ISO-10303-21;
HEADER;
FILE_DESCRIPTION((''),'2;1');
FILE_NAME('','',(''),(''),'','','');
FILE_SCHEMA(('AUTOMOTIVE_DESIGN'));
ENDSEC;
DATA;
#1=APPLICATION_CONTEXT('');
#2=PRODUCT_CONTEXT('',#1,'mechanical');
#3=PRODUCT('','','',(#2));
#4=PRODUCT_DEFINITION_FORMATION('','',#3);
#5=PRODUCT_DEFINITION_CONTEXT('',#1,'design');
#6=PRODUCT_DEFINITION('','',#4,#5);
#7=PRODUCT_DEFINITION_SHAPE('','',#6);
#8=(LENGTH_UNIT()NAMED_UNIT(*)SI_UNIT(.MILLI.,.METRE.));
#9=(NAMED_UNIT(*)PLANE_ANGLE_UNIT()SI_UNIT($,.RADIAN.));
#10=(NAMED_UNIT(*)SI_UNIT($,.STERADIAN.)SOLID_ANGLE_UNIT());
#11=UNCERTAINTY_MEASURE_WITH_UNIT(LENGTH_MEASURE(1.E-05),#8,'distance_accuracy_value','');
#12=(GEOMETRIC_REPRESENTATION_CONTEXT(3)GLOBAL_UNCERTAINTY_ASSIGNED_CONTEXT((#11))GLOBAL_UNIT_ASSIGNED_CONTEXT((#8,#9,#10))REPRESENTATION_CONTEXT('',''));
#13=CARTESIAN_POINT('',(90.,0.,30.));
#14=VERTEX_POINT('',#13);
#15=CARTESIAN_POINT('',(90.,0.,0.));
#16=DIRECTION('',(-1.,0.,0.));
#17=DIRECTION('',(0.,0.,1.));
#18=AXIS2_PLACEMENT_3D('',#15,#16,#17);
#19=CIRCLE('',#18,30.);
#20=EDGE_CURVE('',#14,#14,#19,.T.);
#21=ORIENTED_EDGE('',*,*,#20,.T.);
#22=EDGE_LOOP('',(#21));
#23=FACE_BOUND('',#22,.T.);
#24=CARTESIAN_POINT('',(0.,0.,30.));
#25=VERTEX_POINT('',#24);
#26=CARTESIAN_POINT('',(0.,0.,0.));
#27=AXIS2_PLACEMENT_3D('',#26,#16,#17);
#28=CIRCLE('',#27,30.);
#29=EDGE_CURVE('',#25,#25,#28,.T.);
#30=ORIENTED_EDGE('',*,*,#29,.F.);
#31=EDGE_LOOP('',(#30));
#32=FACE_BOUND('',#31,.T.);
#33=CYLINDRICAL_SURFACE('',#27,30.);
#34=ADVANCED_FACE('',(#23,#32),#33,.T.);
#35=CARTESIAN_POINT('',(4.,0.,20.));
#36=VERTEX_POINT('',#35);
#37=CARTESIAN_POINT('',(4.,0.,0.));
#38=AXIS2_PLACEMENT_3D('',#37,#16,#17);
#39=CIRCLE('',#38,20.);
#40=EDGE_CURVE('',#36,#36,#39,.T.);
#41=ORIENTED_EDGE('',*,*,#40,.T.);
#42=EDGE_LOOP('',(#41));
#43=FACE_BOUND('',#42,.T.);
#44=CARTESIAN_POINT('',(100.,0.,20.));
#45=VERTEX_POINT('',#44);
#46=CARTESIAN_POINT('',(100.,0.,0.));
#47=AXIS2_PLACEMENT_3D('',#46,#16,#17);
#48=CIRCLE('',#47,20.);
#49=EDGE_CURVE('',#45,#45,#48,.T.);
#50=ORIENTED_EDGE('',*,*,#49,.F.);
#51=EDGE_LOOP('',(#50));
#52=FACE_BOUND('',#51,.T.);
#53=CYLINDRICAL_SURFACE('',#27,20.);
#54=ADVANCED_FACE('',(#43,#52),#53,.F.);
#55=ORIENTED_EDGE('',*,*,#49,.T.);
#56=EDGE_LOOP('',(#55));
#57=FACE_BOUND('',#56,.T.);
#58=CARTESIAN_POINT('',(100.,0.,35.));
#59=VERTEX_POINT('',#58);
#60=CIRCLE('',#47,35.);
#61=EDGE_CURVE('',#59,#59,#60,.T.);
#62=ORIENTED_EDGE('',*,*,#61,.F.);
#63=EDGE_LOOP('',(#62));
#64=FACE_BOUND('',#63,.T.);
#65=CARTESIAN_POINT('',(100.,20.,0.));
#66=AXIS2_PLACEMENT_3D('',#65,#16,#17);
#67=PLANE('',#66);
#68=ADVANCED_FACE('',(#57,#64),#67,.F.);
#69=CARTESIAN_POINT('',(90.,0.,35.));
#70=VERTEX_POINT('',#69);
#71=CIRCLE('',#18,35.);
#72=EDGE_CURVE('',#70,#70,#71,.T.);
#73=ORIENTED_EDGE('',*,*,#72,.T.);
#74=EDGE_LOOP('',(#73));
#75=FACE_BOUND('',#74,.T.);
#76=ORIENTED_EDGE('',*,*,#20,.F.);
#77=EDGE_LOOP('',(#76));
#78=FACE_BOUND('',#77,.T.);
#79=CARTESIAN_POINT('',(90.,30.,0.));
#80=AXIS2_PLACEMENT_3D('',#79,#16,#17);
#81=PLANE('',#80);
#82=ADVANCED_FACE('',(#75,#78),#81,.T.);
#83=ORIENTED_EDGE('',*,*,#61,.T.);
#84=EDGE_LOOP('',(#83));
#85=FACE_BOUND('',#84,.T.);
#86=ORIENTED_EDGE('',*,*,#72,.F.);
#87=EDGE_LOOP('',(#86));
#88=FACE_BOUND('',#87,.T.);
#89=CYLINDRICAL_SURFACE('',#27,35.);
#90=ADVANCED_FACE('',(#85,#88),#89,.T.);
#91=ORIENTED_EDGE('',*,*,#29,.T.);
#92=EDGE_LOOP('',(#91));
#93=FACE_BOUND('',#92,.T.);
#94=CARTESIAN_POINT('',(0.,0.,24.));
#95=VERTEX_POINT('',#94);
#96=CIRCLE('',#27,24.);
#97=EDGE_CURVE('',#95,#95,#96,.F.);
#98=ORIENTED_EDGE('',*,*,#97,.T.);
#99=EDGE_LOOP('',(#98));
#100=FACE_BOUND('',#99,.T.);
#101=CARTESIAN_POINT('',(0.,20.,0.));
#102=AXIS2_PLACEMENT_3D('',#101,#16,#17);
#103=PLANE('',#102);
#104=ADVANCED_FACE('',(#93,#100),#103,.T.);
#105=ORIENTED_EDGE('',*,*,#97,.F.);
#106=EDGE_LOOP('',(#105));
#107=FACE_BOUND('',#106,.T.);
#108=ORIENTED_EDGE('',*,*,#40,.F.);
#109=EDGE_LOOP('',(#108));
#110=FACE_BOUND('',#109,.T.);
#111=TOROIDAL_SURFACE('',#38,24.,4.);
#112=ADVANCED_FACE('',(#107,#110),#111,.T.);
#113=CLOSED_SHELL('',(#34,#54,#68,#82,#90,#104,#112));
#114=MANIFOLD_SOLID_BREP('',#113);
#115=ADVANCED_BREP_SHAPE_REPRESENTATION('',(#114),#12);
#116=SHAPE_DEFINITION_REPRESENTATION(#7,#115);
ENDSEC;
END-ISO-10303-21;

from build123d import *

# Parameters (mm, degrees)
FILLET1_R = 4


with BuildPart() as part:
    # Sketch1 → Revolve1 (revolve)
    with BuildSketch(Plane.XY, mode=Mode.PRIVATE) as revolve1_sk:
        Polygon((0, 20), (100, 20), (100, 30), (100, 35), (90, 35), (90, 30), (0, 30), align=None)
    revolve(revolve1_sk.sketch.rotate(Axis((0, 0, 0), (1, 0, 0)), 90), axis=Axis((0, 0, 0), (1, 0, 0)))

    # Fillet1
    fillet1_edges = [part.edges().sort_by_distance(p)[0] for p in [
        (0, 0, -20),
    ]]
    fillet(fillet1_edges, radius=FILLET1_R)


solid = part.part
